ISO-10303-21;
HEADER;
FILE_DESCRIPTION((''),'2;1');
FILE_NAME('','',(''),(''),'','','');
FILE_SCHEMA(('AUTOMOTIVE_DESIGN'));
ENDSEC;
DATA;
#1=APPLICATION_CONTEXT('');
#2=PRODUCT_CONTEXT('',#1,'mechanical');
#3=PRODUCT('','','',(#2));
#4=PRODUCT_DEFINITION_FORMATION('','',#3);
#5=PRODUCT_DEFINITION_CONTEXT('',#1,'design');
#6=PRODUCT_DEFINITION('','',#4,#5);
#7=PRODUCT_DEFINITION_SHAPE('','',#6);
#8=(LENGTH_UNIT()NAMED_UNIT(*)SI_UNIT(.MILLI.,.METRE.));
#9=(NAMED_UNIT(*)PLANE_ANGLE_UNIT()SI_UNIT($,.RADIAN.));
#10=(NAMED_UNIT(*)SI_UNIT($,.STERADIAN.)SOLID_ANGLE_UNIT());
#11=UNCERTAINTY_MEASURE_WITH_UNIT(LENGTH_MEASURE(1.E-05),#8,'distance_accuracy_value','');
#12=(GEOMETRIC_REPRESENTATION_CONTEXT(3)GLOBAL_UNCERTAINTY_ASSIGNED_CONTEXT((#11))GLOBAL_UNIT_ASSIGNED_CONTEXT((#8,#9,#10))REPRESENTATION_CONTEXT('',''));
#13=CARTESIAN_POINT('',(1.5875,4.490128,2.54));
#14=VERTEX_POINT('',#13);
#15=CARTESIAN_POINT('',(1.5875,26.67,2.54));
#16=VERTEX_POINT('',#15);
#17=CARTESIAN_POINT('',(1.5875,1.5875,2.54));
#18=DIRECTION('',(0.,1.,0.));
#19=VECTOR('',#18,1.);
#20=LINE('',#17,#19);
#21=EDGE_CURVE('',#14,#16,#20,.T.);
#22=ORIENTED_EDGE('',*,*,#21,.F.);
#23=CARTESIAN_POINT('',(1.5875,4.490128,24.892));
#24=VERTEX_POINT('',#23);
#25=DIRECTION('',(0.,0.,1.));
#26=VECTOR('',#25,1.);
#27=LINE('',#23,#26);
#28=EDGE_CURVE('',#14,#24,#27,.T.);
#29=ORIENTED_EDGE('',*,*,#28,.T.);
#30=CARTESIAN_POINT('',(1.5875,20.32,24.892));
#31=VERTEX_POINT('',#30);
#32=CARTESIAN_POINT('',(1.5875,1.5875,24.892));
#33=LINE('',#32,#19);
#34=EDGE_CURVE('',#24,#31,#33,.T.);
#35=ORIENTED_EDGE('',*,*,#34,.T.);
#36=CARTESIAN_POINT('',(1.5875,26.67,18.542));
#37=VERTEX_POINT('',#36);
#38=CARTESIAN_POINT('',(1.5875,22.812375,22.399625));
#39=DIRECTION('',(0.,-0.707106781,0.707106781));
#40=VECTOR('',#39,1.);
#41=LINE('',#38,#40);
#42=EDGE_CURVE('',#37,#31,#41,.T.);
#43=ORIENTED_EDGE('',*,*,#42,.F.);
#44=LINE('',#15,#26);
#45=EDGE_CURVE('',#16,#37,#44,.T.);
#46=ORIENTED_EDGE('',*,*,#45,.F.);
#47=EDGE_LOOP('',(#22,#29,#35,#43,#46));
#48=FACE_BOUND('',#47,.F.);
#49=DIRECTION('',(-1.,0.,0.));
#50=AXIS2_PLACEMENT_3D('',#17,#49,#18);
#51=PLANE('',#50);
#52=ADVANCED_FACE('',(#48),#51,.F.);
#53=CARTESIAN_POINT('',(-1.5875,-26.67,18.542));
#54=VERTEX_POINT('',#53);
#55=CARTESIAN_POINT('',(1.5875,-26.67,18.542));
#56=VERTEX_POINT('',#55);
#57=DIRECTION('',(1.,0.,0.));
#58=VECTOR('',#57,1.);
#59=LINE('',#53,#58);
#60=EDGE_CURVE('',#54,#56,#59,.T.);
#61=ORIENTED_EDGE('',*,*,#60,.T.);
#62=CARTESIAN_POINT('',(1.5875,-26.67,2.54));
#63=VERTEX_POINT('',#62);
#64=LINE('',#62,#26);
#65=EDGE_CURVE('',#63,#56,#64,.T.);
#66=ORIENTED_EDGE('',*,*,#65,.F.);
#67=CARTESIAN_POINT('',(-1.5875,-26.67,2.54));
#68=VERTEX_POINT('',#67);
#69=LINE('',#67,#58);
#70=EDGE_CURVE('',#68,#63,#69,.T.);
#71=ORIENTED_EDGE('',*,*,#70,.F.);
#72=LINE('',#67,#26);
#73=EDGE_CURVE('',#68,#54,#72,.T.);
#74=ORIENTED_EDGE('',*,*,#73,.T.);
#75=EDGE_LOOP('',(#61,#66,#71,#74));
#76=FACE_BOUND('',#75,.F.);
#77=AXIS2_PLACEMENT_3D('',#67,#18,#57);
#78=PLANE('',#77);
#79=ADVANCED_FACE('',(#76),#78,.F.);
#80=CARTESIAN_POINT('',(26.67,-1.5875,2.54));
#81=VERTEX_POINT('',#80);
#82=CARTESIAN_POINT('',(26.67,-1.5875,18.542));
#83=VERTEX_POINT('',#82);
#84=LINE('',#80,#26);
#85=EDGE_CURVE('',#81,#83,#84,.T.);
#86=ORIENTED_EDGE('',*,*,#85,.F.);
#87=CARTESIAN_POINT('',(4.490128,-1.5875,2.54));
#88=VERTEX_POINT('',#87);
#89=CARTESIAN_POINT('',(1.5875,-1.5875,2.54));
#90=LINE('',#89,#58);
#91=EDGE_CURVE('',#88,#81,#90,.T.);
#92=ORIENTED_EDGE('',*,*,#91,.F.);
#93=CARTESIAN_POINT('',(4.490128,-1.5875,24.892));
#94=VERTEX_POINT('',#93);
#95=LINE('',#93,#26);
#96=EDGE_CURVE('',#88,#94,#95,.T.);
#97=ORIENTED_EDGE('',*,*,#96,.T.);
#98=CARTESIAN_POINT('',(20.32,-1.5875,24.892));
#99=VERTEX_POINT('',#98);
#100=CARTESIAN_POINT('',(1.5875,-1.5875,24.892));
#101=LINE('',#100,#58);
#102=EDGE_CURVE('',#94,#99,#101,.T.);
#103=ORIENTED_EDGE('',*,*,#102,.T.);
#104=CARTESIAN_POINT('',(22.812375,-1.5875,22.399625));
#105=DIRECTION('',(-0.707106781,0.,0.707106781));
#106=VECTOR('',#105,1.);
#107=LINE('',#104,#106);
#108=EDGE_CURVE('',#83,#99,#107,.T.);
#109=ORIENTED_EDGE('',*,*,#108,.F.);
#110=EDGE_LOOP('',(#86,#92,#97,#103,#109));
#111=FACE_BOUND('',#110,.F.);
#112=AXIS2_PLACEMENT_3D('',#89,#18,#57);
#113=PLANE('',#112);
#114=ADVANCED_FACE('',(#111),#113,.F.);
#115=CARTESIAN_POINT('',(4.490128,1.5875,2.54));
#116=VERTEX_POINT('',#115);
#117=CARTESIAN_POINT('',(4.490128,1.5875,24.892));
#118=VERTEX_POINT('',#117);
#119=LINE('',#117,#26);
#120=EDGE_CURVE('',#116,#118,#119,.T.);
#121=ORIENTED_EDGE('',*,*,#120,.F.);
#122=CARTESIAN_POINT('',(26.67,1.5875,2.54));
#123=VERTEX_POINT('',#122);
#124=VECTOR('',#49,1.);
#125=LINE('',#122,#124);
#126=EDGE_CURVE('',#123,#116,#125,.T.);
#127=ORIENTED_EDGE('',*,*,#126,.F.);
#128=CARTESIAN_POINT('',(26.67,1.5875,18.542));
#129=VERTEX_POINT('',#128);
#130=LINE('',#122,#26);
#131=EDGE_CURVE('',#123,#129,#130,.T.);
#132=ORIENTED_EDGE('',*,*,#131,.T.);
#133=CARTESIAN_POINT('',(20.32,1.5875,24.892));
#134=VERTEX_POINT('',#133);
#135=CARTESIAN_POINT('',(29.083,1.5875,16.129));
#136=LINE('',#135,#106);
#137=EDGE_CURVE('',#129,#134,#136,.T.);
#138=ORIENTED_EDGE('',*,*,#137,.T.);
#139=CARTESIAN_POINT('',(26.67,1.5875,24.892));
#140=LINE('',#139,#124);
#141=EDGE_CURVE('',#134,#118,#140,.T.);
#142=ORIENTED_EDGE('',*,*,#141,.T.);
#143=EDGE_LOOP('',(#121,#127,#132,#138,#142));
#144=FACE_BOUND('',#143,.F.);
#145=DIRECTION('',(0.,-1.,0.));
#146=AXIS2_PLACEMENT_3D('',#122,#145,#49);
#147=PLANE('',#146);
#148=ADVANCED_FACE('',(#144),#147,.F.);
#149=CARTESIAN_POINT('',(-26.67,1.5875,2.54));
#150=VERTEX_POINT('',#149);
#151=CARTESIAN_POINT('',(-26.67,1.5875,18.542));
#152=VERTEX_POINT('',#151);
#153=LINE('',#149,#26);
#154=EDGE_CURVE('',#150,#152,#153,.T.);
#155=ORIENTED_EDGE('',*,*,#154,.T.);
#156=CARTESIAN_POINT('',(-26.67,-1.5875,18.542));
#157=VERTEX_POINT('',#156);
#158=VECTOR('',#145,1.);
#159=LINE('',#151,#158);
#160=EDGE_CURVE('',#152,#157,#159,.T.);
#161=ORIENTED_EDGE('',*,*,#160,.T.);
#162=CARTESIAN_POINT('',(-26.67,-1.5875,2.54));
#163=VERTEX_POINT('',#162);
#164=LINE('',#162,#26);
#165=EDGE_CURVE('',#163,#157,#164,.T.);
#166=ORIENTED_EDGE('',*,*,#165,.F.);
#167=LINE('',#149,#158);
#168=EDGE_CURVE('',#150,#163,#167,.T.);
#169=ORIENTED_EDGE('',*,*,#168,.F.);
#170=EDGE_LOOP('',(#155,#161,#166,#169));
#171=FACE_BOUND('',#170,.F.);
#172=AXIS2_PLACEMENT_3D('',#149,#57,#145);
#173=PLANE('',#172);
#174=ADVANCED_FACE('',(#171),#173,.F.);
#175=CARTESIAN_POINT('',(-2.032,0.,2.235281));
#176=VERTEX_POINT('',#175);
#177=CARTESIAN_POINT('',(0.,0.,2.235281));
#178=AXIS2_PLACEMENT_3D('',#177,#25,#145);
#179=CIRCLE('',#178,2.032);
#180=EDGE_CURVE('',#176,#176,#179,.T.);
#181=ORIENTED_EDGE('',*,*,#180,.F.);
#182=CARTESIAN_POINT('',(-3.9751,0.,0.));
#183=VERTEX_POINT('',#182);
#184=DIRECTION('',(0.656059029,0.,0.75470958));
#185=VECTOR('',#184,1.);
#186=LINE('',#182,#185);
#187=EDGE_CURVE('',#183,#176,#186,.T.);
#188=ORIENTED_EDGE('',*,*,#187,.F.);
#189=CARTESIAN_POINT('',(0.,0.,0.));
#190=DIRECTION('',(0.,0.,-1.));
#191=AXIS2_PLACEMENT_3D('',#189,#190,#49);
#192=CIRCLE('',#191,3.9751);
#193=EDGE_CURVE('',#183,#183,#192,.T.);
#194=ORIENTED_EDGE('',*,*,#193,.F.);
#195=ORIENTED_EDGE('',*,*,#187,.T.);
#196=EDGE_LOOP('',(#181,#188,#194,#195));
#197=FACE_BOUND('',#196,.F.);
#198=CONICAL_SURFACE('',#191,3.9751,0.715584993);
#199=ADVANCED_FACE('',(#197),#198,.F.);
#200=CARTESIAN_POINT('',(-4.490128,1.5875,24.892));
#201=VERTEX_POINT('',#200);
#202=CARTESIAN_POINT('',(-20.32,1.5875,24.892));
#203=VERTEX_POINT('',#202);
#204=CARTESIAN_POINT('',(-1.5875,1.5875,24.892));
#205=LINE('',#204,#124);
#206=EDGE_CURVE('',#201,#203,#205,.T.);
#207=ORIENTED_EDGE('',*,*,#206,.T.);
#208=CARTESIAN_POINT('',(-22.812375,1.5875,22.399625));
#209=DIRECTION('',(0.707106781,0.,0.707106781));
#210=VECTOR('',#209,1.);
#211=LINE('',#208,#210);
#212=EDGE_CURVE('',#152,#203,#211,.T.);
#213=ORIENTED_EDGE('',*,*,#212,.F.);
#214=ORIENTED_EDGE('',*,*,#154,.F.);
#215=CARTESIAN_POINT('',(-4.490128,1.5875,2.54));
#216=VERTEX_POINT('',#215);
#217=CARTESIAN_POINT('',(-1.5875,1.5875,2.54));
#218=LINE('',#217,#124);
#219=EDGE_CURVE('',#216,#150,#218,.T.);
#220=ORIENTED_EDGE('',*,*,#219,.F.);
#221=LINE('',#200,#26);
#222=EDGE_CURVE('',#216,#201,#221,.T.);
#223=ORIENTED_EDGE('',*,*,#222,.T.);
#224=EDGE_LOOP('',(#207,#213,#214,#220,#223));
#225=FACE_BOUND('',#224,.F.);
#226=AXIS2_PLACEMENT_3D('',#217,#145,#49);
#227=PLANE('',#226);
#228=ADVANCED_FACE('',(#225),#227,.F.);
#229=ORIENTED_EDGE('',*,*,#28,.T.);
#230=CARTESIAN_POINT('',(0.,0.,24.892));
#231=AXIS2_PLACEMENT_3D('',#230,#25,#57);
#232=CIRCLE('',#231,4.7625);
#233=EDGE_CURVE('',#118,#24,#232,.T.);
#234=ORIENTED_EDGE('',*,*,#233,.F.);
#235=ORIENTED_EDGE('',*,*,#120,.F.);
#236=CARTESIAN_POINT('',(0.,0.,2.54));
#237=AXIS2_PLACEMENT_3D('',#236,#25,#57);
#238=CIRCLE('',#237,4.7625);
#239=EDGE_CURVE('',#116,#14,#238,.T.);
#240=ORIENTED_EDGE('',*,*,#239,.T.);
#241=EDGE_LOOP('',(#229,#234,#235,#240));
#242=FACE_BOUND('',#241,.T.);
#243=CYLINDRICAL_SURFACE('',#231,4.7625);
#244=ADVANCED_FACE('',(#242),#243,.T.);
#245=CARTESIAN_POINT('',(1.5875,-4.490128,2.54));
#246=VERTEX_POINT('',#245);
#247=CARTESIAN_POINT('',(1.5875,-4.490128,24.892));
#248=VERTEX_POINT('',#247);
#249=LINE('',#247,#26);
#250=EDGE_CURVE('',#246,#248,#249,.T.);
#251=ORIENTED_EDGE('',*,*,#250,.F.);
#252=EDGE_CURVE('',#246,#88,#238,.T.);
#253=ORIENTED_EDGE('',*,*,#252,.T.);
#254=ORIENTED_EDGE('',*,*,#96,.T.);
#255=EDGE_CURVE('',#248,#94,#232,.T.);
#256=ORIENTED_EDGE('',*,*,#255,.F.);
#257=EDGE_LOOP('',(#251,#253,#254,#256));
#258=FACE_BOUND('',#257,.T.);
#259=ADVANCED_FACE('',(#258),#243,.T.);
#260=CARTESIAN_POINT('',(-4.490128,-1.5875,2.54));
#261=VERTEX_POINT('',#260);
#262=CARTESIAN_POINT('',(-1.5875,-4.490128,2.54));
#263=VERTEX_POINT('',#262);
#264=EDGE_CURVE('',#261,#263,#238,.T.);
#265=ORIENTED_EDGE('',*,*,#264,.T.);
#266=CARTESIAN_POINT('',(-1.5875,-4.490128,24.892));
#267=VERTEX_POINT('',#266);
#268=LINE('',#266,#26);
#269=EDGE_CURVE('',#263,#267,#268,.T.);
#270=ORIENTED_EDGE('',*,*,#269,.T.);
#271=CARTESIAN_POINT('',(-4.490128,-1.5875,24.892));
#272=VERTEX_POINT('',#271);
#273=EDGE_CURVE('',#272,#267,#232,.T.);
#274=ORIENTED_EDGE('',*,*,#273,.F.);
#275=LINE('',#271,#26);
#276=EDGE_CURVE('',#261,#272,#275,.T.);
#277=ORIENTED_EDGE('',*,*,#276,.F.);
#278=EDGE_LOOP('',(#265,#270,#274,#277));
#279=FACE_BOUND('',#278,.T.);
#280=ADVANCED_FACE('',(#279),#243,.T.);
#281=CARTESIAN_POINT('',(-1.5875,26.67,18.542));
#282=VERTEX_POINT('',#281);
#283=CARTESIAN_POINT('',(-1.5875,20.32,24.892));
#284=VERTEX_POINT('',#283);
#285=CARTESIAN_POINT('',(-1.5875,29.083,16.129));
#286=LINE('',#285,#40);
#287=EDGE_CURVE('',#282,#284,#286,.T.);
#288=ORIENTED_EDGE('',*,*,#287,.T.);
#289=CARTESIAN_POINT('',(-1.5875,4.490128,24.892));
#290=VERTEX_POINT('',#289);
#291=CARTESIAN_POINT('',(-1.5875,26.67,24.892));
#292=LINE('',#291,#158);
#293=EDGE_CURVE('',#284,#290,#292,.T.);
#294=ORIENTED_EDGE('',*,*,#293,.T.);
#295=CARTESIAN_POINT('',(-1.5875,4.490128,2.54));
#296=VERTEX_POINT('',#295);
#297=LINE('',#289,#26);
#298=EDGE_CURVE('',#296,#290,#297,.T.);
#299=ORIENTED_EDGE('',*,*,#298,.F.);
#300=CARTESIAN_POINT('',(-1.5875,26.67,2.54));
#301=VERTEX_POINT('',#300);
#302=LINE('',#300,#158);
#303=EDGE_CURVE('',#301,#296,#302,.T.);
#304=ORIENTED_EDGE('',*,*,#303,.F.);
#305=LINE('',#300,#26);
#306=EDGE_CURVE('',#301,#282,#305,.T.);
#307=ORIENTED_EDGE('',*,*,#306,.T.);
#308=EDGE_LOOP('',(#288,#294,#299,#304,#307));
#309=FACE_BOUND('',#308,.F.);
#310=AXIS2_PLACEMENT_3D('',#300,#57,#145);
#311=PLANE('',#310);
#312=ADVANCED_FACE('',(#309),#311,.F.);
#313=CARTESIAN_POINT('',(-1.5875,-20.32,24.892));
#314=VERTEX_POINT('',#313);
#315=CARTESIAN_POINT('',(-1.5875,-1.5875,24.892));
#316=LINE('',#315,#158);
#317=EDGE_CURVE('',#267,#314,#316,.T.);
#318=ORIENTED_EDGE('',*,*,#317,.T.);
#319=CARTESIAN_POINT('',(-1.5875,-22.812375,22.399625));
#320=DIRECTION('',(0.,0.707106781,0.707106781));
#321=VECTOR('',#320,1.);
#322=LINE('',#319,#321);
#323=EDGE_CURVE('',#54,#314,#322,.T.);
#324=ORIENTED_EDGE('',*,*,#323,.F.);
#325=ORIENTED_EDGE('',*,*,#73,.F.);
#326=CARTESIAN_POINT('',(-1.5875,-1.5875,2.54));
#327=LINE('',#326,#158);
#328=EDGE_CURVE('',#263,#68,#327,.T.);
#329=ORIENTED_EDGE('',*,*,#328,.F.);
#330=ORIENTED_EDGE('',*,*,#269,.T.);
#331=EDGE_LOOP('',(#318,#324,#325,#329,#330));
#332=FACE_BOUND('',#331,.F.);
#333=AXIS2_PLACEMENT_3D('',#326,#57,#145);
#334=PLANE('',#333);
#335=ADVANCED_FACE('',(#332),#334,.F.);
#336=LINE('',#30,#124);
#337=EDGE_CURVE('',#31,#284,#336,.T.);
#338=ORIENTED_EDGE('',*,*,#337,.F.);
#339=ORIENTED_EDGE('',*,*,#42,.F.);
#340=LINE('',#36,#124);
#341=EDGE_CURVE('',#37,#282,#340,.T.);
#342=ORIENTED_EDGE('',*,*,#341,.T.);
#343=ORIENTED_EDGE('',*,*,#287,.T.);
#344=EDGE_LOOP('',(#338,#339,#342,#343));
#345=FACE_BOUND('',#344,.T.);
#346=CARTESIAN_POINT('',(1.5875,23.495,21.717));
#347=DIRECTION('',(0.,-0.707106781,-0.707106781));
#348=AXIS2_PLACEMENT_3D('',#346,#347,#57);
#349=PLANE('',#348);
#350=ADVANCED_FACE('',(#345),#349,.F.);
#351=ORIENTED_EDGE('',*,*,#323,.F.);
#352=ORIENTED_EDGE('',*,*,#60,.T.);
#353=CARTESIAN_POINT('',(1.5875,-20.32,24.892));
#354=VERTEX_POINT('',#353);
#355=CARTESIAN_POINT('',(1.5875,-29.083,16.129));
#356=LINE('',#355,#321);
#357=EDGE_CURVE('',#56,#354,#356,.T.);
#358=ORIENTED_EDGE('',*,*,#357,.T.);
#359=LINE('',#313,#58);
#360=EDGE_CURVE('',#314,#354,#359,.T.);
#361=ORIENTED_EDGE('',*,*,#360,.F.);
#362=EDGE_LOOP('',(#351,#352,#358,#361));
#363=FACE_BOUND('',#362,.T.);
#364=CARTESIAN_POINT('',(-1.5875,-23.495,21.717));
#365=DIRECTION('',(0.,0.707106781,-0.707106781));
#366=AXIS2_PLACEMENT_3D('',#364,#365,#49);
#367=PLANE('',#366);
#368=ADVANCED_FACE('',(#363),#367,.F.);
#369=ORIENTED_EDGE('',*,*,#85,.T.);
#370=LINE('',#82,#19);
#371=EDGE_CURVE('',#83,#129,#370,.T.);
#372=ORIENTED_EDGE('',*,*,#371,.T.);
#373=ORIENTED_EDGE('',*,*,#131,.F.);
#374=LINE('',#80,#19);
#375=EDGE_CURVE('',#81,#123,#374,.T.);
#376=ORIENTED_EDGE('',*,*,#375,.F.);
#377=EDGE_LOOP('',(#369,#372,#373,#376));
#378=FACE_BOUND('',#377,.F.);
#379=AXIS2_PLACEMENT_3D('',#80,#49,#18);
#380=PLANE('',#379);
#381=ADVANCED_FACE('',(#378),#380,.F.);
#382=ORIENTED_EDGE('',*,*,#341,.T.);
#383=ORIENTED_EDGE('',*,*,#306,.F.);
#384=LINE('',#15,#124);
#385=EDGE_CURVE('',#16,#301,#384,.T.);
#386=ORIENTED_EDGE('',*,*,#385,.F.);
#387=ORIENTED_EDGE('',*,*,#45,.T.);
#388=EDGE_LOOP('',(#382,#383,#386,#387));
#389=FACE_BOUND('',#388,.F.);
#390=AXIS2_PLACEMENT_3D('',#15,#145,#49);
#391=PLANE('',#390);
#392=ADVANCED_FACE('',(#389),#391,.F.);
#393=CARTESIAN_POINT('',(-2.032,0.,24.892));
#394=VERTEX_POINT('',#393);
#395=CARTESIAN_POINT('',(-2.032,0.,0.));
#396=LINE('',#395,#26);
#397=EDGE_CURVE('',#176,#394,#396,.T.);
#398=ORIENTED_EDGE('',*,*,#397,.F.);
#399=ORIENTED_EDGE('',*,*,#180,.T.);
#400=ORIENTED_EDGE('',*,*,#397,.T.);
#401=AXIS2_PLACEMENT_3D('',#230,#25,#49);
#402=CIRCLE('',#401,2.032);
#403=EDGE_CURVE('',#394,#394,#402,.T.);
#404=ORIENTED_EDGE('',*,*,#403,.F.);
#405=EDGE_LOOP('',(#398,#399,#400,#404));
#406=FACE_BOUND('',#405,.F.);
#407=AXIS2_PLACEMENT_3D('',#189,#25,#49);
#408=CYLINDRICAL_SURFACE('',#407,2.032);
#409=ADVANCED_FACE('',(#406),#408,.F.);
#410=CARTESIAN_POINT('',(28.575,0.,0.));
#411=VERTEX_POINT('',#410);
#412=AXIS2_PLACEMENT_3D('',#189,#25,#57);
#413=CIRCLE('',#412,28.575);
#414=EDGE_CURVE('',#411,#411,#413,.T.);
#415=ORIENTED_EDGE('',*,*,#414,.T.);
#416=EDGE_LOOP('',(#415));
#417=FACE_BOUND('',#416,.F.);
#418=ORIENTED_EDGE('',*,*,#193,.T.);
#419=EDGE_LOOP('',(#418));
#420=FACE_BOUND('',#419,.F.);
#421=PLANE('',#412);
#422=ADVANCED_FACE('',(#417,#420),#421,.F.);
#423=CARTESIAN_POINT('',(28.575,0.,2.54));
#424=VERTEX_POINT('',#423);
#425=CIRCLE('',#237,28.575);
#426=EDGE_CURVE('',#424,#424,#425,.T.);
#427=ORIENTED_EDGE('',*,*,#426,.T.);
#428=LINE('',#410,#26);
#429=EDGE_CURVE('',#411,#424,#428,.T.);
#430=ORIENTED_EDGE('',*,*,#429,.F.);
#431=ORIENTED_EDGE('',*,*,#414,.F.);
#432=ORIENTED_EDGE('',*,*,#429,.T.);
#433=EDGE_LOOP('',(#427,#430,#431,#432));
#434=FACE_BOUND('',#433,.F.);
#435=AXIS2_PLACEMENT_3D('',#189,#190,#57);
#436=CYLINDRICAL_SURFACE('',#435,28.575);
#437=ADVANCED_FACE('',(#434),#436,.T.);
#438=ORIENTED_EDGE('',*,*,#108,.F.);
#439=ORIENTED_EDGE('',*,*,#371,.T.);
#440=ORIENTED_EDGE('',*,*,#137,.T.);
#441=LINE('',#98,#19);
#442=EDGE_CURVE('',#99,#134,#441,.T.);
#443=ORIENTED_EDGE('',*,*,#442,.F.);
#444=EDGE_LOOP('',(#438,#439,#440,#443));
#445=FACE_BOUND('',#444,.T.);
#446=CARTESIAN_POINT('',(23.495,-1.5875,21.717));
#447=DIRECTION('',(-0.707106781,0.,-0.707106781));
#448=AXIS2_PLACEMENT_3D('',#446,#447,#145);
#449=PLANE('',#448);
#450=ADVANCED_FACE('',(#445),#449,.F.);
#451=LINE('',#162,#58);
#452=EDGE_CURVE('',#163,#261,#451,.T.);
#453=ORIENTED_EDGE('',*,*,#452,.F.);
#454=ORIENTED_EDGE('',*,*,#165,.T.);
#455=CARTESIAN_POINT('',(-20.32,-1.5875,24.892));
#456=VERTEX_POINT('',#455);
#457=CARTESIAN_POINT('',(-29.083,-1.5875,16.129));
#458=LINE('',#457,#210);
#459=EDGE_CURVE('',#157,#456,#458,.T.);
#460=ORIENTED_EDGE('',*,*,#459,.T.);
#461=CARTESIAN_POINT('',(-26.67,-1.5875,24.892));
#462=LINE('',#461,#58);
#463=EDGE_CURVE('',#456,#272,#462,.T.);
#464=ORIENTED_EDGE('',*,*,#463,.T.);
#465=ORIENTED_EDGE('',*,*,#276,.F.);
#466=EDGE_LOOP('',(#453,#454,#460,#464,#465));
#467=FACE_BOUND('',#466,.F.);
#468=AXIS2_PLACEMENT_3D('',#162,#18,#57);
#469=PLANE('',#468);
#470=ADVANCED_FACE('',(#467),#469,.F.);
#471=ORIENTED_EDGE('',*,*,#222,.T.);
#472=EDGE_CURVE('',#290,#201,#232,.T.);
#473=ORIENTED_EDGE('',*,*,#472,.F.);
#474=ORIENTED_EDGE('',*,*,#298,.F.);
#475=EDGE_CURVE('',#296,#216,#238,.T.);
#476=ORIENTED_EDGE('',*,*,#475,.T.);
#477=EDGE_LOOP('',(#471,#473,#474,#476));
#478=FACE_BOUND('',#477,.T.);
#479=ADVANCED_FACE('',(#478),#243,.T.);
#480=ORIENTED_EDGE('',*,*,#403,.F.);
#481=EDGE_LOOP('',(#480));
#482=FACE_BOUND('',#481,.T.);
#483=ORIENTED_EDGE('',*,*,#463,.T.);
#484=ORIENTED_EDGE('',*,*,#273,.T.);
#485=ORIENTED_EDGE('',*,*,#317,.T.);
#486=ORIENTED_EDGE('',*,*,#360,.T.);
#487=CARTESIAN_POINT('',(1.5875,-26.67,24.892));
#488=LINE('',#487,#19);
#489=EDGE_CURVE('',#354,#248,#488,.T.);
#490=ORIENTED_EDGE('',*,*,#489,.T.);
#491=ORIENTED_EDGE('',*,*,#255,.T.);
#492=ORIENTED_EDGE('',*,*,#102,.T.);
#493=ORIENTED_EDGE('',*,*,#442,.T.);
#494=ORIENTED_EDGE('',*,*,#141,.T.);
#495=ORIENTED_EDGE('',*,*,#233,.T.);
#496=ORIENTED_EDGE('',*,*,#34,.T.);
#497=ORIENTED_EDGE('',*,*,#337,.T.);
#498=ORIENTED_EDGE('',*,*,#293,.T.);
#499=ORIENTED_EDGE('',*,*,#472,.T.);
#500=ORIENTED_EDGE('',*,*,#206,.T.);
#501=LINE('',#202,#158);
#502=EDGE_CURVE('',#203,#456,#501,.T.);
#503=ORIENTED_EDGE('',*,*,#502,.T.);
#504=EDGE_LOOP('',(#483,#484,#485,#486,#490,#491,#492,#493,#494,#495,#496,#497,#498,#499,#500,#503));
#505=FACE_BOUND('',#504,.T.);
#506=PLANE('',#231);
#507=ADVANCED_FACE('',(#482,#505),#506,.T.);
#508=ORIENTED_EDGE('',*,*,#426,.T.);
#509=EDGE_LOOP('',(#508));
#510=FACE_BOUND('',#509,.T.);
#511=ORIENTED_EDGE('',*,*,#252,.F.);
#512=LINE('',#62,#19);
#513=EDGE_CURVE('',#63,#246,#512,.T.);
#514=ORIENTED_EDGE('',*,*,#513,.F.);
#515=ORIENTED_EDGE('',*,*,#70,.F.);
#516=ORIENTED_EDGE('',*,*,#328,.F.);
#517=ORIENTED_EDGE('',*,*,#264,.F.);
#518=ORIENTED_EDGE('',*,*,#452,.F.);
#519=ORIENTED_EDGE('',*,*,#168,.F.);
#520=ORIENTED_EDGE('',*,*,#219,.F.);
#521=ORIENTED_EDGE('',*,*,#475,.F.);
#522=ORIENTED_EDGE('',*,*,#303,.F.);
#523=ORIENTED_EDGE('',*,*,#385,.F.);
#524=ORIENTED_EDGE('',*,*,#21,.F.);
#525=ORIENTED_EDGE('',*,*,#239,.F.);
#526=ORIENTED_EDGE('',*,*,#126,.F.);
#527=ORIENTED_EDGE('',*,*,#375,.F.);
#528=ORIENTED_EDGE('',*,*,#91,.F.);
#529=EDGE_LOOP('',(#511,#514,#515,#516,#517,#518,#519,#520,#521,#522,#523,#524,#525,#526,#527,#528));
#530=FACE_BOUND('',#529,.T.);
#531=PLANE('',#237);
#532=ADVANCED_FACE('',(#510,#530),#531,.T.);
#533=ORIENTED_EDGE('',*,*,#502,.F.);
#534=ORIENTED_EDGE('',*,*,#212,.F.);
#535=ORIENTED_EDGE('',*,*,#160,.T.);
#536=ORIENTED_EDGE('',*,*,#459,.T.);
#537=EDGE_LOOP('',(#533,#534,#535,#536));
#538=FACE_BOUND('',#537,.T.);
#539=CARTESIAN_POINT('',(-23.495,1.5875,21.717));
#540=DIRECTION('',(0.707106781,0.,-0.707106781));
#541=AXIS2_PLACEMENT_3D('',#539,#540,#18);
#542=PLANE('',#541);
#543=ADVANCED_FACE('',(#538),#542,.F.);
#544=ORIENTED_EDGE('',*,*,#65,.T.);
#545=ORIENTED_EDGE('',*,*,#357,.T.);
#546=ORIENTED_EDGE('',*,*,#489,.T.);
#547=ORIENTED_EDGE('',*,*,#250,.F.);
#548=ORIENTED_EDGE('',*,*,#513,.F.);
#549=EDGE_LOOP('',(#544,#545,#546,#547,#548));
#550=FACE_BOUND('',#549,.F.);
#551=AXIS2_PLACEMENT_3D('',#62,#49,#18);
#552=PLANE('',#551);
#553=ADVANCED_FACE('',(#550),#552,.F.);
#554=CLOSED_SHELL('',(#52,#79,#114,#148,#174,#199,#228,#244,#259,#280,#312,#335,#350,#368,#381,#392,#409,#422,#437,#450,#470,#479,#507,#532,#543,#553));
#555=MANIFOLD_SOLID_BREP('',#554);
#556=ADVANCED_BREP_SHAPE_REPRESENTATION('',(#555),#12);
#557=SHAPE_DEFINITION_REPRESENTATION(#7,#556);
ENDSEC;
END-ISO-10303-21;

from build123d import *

# Parameters (mm, degrees)
F0_R           = 28.575
F1_DEPTH       = 2.54
F3_DEPTH       = 22.352
F4_SIZE        = 6.35
F5_R           = 4.7625
F6_DEPTH       = 22.352
F8_D           = 4.064
F8_CSINK_D     = 7.9502
F8_CSINK_ANGLE = 82


with BuildPart() as f1:
    # F0 (on Top) → F1 (new body)
    with BuildSketch(Plane.XY):
        Circle(F0_R)
    extrude(amount=F1_DEPTH)

    # F2 (on face) → F3 (join)
    with BuildSketch(Plane.XY.offset(2.54)):
        Polygon((26.67, -1.5875), (26.67, 1.5875), (1.5875, 1.5875), (1.5875, 26.67), (-1.5875, 26.67), (-1.5875, 1.5875), (-26.67, 1.5875), (-26.67, -1.5875), (-1.5875, -1.5875), (-1.5875, -26.67), (1.5875, -26.67), (1.5875, -1.5875), align=None)
    extrude(amount=F3_DEPTH)

    # F4
    f4_edges = [f1.edges().sort_by_distance(p)[0] for p in [
        (0, -26.67, 24.892),
        (26.67, 0, 24.892),
        (0, 26.67, 24.892),
        (-26.67, 0, 24.892),
    ]]
    chamfer(f4_edges, length=F4_SIZE)

    # F5 (on face) → F6 (join, through all)
    with BuildSketch(Plane.XY.offset(24.892)):
        Circle(F5_R)
    extrude(amount=-F6_DEPTH)

    # F8 (through all)
    with Locations(Plane(origin=(0, 0, 0), x_dir=(1, 0, 0), z_dir=(0, 0, -1))):
        with Locations((0, 0)):
            CounterSinkHole(F8_D / 2, F8_CSINK_D / 2, counter_sink_angle=F8_CSINK_ANGLE)


solid = f1.part
